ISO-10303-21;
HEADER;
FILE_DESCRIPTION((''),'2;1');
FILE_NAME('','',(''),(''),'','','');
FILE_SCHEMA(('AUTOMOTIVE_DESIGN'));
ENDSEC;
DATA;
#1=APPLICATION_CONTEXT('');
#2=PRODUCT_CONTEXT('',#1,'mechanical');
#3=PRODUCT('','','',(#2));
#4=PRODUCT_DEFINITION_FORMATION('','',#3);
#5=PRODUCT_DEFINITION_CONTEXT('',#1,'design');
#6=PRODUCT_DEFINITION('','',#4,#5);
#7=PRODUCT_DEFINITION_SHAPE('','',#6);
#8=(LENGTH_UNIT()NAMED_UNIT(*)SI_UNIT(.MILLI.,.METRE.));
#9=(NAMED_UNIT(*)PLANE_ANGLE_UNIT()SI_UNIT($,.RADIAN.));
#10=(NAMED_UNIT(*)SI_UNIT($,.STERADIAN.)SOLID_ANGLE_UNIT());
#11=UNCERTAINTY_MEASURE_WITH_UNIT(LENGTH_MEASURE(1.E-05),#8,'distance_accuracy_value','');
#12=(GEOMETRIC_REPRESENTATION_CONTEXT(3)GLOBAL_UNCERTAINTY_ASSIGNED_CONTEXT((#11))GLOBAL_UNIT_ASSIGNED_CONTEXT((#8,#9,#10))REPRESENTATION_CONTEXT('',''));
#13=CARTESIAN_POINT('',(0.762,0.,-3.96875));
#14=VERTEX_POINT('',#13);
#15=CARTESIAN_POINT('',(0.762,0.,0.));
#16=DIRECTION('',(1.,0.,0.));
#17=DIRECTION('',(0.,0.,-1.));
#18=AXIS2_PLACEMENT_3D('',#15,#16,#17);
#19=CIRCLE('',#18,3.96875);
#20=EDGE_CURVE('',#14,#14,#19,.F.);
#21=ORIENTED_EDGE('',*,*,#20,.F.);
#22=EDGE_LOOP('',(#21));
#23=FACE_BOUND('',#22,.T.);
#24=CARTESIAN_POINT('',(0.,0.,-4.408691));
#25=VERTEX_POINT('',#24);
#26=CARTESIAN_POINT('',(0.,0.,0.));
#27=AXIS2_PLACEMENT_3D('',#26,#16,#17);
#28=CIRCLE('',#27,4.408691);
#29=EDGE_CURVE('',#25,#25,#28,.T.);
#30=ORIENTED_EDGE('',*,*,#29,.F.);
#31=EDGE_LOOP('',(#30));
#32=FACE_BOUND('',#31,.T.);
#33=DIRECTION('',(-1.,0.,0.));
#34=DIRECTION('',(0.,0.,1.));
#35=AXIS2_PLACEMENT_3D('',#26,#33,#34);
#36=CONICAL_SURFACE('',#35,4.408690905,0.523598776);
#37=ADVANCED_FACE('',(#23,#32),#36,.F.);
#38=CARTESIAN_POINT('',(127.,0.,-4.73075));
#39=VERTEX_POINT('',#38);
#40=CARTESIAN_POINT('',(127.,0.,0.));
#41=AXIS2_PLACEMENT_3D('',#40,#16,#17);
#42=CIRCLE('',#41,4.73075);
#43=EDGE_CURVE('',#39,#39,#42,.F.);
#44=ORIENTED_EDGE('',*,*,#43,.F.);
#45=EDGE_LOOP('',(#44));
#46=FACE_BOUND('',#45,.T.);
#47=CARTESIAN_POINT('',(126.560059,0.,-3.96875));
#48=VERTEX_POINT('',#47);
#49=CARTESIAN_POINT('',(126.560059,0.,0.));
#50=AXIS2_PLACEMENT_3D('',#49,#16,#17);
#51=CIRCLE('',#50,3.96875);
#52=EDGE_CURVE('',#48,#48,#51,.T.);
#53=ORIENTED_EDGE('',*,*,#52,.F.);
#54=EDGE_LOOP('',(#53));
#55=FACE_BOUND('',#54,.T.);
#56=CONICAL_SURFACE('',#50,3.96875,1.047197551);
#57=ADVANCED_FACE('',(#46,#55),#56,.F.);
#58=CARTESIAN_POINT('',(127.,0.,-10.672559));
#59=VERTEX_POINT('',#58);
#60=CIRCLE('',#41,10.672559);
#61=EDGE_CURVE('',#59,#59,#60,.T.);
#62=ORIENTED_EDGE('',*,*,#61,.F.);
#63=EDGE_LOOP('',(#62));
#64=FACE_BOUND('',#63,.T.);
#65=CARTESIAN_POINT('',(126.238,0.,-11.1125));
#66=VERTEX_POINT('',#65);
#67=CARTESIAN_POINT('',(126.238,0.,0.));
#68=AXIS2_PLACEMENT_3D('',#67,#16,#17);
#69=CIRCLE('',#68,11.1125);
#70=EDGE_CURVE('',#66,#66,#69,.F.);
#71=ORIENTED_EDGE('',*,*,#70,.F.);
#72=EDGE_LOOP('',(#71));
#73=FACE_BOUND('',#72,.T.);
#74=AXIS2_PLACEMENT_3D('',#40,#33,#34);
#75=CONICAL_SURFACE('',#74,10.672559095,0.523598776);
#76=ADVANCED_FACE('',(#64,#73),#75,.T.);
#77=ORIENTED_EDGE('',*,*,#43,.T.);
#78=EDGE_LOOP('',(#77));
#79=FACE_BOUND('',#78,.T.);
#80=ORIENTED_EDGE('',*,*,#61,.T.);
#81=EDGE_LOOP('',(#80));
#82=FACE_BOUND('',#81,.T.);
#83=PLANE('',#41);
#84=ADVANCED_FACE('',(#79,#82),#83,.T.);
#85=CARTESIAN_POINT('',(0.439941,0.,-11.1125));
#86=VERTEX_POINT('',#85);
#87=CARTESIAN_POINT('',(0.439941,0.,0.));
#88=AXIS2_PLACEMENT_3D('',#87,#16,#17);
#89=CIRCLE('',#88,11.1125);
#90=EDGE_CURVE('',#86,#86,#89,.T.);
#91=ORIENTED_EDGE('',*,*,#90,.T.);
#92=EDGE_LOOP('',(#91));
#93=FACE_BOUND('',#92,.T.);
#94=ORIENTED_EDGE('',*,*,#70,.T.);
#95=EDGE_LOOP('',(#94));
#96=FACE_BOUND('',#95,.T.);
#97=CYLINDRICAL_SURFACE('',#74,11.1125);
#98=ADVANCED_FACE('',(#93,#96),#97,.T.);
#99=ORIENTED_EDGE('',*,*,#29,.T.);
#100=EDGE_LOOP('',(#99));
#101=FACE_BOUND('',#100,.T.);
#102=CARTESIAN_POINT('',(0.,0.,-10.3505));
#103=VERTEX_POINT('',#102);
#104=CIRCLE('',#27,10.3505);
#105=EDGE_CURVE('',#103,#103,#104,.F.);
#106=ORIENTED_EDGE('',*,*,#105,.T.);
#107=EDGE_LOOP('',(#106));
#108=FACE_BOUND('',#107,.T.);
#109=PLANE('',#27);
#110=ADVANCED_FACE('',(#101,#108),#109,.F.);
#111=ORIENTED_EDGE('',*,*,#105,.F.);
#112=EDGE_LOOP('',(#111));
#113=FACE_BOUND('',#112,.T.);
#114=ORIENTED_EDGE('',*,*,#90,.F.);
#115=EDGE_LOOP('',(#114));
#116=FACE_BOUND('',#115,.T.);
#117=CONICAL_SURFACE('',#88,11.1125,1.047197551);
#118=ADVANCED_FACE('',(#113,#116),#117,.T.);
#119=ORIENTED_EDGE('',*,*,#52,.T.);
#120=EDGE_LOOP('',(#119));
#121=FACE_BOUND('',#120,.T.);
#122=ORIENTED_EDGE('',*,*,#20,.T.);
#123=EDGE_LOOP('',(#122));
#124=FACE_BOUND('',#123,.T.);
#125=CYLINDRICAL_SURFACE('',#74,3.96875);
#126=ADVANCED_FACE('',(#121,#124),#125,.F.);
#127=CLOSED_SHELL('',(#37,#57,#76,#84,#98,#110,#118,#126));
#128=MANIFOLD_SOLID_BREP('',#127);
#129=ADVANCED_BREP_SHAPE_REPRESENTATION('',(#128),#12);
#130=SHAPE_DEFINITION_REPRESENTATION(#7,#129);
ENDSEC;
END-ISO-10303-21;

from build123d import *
from OCP.BRepFilletAPI import BRepFilletAPI_MakeChamfer

# Parameters (mm, degrees)
SKETCH1_R           = 11.1125
SKETCH1_R_2         = 3.96875
BOSS_EXTRUDE1_DEPTH = 127
CHAMFER1_SIZE       = 0.762
CHAMFER1_SIZE2      = 0.439940905


with BuildPart() as part:
    # Sketch1 → Boss-Extrude1 (new body)
    with BuildSketch(Plane(origin=(0, 0, 0), x_dir=(0, 0, -1), z_dir=(1, 0, 0))):
        Circle(SKETCH1_R)
        Circle(SKETCH1_R_2, mode=Mode.SUBTRACT)
    extrude(amount=BOSS_EXTRUDE1_DEPTH)

    # Chamfer1: one chamfer whose edges measure the first distance from different faces: ONE call of the kernel's chamfer builder (chamfer() names one face for all edges)
    chamfer1_edges_1 = [part.edges().sort_by_distance(p)[0] for p in [
        (0, 0, 11.1125),
    ]]
    chamfer1_side_1 = [part.faces().sort_by_distance(p)[0] for p in [
        (0, 0, 10.798191036),
    ]]
    chamfer1_edges_2 = [part.edges().sort_by_distance(p)[0] for p in [
        (127, 0, 11.1125),
    ]]
    chamfer1_side_2 = [part.faces().sort_by_distance(p)[0] for p in [
        (63.5, 0, 11.1125),
    ]]
    chamfer1_edges_3 = [part.edges().sort_by_distance(p)[0] for p in [
        (0, 0, 3.96875),
    ]]
    chamfer1_side_3 = [part.faces().sort_by_distance(p)[0] for p in [
        (63.5, 0, 3.96875),
    ]]
    chamfer1_edges_4 = [part.edges().sort_by_distance(p)[0] for p in [
        (127, 0, 3.96875),
    ]]
    chamfer1_side_4 = [part.faces().sort_by_distance(p)[0] for p in [
        (127, 0, 10.798191036),
    ]]
    chamfer1 = BRepFilletAPI_MakeChamfer(part.part.solid().wrapped)
    for e in chamfer1_edges_1:
        chamfer1.Add(CHAMFER1_SIZE, CHAMFER1_SIZE2, e.wrapped, chamfer1_side_1[0].wrapped)  # the first distance lies on this face
    for e in chamfer1_edges_2:
        chamfer1.Add(CHAMFER1_SIZE, CHAMFER1_SIZE2, e.wrapped, chamfer1_side_2[0].wrapped)  # the first distance lies on this face
    for e in chamfer1_edges_3:
        chamfer1.Add(CHAMFER1_SIZE, CHAMFER1_SIZE2, e.wrapped, chamfer1_side_3[0].wrapped)  # the first distance lies on this face
    for e in chamfer1_edges_4:
        chamfer1.Add(CHAMFER1_SIZE, CHAMFER1_SIZE2, e.wrapped, chamfer1_side_4[0].wrapped)  # the first distance lies on this face
    add(Compound.cast(chamfer1.Shape()), mode=Mode.REPLACE)


solid = part.part
